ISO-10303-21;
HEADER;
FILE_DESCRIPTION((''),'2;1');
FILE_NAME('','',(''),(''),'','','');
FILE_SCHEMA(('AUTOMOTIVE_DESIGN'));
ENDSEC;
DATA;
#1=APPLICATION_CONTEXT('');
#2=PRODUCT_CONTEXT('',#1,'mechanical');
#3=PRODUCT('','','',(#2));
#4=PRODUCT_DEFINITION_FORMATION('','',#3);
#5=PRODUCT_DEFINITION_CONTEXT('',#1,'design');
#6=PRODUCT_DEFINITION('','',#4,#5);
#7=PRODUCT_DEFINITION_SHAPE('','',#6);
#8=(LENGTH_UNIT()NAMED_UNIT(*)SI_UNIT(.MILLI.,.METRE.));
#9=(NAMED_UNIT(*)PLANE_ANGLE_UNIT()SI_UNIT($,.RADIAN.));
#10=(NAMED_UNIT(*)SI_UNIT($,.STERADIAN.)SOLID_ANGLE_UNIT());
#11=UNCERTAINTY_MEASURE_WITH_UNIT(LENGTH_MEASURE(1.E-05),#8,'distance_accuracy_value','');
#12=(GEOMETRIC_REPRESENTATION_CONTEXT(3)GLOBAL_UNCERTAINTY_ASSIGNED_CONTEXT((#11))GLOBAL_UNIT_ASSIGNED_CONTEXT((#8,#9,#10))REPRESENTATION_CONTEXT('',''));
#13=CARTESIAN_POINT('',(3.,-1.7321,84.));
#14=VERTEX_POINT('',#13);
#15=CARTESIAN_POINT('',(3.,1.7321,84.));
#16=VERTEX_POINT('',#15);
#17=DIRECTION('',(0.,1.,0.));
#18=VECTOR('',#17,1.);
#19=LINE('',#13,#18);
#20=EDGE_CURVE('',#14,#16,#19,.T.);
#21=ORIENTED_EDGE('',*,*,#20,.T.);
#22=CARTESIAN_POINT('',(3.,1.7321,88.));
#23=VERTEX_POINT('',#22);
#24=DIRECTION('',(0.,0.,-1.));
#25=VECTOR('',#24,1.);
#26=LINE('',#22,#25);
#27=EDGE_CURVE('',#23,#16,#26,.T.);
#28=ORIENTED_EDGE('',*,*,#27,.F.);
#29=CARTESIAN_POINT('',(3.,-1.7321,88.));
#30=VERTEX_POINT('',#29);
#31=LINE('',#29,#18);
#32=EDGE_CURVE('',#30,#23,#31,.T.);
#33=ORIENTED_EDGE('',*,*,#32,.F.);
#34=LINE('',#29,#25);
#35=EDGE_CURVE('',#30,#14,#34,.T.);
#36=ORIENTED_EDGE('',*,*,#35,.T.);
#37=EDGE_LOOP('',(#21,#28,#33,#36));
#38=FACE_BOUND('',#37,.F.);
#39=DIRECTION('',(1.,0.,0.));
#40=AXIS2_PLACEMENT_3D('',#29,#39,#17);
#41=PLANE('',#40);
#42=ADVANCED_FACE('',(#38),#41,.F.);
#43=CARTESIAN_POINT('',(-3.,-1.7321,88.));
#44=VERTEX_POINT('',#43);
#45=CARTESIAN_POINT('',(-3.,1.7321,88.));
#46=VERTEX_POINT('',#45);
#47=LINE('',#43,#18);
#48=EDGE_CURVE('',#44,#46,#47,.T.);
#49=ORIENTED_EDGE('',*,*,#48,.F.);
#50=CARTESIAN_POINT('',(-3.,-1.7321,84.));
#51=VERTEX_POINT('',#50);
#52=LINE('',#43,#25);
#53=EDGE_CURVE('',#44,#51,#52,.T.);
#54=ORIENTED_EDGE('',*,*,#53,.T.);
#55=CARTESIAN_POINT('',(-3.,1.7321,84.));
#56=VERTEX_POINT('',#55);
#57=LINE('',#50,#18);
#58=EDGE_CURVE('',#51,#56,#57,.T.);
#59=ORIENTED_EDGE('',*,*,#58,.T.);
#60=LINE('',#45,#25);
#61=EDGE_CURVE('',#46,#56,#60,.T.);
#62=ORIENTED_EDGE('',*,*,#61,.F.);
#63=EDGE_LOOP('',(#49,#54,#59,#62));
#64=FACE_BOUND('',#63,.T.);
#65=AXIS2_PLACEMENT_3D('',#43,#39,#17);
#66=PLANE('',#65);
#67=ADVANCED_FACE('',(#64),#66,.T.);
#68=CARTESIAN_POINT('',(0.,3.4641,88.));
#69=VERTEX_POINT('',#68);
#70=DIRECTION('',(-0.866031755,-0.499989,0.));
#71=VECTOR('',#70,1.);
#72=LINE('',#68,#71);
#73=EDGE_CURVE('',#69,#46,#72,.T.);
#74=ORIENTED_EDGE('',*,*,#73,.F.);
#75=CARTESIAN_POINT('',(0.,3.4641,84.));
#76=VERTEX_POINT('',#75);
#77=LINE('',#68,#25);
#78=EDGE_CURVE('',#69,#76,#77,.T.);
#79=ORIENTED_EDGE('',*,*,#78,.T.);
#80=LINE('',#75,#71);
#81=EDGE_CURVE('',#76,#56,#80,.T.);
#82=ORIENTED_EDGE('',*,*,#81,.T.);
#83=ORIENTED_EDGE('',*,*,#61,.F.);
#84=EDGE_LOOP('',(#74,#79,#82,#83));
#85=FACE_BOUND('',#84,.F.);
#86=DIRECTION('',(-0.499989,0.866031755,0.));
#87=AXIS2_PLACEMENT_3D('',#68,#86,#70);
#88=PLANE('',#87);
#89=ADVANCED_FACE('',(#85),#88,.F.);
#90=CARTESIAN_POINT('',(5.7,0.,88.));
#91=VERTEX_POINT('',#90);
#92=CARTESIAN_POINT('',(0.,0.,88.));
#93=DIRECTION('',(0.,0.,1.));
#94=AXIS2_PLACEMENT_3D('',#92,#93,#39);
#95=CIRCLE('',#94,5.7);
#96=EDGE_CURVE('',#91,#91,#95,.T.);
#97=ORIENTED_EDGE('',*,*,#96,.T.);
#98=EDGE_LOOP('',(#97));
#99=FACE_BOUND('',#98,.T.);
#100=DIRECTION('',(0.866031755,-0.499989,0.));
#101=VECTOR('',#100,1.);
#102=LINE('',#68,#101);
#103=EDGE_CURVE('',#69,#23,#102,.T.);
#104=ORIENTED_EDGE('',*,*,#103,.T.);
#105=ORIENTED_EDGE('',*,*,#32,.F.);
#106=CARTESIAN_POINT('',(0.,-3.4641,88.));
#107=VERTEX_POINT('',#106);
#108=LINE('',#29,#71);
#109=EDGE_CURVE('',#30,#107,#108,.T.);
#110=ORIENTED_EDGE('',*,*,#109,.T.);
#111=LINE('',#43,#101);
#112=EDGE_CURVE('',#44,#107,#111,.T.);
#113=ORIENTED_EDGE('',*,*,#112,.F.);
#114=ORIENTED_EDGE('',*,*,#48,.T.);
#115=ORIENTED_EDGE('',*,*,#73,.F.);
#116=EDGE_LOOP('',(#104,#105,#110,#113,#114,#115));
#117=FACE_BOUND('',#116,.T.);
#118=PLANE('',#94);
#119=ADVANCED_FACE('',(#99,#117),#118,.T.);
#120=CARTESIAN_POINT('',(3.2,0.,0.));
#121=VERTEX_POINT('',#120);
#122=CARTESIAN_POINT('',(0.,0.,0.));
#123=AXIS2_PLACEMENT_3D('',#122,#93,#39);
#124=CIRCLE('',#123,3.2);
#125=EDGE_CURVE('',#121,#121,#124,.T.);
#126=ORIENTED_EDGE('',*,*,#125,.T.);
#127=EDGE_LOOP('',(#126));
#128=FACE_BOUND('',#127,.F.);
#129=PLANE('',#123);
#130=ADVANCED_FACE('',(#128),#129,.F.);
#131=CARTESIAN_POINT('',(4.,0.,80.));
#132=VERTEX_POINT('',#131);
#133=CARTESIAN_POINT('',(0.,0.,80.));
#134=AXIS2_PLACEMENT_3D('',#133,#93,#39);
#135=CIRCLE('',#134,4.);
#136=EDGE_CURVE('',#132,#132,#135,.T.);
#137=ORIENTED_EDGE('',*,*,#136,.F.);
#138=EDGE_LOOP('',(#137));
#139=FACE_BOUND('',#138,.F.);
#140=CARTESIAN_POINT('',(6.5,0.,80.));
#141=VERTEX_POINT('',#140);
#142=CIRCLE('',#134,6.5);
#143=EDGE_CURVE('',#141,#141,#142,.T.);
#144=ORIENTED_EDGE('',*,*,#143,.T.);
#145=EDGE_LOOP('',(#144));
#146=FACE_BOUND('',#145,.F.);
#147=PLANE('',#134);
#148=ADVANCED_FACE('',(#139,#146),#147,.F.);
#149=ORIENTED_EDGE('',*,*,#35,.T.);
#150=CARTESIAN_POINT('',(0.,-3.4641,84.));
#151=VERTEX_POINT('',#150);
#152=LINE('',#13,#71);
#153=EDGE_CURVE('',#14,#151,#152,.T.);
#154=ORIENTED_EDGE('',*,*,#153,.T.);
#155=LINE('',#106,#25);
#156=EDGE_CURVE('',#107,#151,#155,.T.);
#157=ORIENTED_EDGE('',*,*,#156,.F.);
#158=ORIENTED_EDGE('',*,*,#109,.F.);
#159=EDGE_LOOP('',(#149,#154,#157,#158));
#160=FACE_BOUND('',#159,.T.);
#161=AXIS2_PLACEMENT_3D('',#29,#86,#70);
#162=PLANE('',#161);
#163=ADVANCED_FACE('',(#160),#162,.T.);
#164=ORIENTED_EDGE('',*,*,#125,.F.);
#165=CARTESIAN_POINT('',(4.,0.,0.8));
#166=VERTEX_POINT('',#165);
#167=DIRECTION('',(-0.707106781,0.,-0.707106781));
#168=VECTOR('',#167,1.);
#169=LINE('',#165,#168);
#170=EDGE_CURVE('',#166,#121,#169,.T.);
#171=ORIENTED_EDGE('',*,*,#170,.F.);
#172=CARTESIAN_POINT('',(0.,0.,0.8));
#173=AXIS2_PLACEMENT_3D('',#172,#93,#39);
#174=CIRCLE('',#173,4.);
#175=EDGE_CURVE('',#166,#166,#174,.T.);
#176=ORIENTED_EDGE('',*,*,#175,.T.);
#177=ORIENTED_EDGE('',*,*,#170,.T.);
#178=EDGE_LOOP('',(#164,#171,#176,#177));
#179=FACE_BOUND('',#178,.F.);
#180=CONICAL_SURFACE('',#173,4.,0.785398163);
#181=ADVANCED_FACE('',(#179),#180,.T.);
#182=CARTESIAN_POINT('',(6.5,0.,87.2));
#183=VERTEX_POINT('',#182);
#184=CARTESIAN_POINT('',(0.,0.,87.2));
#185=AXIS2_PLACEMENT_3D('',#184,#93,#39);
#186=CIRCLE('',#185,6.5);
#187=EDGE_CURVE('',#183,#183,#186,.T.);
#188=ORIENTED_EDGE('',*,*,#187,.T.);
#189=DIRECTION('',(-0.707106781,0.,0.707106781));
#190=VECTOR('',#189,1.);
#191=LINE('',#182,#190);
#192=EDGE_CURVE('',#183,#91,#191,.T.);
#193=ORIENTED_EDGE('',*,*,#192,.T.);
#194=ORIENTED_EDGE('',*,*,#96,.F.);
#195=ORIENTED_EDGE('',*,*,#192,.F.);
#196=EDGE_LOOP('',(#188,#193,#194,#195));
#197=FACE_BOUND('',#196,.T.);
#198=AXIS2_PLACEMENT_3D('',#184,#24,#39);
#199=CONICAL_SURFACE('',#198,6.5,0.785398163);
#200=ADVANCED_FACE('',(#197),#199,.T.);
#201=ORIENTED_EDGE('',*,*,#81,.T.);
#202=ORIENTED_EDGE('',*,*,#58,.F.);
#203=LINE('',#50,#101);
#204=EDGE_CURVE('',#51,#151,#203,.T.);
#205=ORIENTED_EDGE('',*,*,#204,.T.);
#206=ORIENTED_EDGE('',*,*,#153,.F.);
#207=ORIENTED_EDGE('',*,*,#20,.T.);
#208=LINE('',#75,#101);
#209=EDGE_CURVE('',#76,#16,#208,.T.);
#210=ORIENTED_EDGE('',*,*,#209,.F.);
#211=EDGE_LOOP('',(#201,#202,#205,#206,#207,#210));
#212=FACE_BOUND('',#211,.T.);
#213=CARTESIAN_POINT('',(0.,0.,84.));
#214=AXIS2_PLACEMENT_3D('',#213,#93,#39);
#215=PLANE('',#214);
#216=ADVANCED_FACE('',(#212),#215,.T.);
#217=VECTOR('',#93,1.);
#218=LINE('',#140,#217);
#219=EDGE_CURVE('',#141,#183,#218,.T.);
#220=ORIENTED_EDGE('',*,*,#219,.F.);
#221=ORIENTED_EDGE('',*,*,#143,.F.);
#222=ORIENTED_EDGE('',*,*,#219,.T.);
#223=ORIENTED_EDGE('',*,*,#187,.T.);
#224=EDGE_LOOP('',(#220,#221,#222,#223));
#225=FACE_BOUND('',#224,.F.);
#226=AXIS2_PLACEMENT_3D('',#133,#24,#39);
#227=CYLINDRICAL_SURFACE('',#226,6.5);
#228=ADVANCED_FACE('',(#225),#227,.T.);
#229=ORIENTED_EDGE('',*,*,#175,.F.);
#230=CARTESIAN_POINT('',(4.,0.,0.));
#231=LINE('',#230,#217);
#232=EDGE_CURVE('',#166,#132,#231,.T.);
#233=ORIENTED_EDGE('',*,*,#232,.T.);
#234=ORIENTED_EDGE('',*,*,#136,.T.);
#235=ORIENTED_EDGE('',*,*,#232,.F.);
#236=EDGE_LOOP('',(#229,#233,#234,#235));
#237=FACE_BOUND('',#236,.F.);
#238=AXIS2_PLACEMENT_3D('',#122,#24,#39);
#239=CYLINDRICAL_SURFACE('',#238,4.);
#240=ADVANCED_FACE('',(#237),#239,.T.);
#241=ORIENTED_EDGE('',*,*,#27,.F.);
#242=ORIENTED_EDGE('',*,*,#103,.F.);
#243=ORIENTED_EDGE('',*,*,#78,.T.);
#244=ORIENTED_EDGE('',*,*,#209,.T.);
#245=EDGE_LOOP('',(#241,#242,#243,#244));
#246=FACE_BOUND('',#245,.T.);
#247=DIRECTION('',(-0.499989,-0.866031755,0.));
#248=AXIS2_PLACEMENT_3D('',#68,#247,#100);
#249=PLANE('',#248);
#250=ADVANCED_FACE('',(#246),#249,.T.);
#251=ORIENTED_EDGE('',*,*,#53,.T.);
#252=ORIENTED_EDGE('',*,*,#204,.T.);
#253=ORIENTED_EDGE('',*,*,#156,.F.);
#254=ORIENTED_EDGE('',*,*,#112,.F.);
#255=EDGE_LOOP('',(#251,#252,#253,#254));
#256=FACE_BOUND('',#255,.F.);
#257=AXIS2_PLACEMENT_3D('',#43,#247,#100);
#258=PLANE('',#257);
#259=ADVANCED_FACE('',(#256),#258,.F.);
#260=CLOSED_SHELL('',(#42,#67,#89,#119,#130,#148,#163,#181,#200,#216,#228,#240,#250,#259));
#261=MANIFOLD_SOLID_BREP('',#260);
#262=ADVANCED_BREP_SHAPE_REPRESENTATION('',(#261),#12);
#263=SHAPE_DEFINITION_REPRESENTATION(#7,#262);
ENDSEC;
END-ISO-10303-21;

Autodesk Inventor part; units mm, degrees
ref_plane "YZ Plane" through (0, 0, 0) normal (1, 0, 0) x (0, 1, 0)
ref_plane "XZ Plane" through (0, 0, 0) normal (0, 1, 0) x (-1, 0, 0)
ref_plane "XY Plane" through (0, 0, 0) normal (0, 0, 1) x (1, 0, 0)
sketch "Sketch1" plane through (0, 0, 0) normal (0, 0, 1) x (1, 0, 0)
  circle A0 centre (0, 0) radius 4
  dimension "Diameter" = 8
extrude "Extrusion1" add sketch "Sketch1" along normal blind 80
sketch "Sketch2" plane through (0, 0, 80) normal (0, 0, 1) x (1, 0, 0)
  circle A0 centre (0, 0) radius 4 projected
  circle A1 centre (0, 0) radius 6.5
  dimension "Head_Diameter" = 13
extrude "Extrusion2" add sketch "Sketch2" along normal blind 8 contours A0 | A1
sketch "Sketch3" plane through (0, 0, 88) normal (0, 0, 1) x (1, 0, 0)
  circle A0 centre (0, 0) radius 6.5 projected
  circle A1 centre (0, 0) radius 3.4641 construction
  line L0 (0, 3.4641) -> (3, 1.7321)
  line L1 (3, -1.7321) -> (3, 1.7321)
  line L2 (0, 3.4641) -> (-3, 1.7321)
  line L3 (-3, -1.7321) -> (-3, 1.7321)
  line L4 (-3, -1.7321) -> (0, -3.4641)
  line L5 (3, -1.7321) -> (0, -3.4641)
  dimension "Hex_Width" = 6
extrude "Extrusion3" cut sketch "Sketch3" against normal blind 4 contours L0 L1 L5 L4 L3 L2
thread "Thread1" size "M8x1.25" class "4g6g" standard "ANSI Metric M Profile" length 28
chamfer "Chamfer1" distance 0.8 angle 45 2 edges at (-6.5, 0, 88) (-4, 0, 0)
equation "\"d9\" = ThreadLength"
equation "\"d12\" = Chamfer"
equation "\"ThreadLength\" = 28"
equation "\"Chamfer\" = 0.8"
properties part number "SCREW,SOCKET HD,P,12.9,M8X1.25X80MM"
